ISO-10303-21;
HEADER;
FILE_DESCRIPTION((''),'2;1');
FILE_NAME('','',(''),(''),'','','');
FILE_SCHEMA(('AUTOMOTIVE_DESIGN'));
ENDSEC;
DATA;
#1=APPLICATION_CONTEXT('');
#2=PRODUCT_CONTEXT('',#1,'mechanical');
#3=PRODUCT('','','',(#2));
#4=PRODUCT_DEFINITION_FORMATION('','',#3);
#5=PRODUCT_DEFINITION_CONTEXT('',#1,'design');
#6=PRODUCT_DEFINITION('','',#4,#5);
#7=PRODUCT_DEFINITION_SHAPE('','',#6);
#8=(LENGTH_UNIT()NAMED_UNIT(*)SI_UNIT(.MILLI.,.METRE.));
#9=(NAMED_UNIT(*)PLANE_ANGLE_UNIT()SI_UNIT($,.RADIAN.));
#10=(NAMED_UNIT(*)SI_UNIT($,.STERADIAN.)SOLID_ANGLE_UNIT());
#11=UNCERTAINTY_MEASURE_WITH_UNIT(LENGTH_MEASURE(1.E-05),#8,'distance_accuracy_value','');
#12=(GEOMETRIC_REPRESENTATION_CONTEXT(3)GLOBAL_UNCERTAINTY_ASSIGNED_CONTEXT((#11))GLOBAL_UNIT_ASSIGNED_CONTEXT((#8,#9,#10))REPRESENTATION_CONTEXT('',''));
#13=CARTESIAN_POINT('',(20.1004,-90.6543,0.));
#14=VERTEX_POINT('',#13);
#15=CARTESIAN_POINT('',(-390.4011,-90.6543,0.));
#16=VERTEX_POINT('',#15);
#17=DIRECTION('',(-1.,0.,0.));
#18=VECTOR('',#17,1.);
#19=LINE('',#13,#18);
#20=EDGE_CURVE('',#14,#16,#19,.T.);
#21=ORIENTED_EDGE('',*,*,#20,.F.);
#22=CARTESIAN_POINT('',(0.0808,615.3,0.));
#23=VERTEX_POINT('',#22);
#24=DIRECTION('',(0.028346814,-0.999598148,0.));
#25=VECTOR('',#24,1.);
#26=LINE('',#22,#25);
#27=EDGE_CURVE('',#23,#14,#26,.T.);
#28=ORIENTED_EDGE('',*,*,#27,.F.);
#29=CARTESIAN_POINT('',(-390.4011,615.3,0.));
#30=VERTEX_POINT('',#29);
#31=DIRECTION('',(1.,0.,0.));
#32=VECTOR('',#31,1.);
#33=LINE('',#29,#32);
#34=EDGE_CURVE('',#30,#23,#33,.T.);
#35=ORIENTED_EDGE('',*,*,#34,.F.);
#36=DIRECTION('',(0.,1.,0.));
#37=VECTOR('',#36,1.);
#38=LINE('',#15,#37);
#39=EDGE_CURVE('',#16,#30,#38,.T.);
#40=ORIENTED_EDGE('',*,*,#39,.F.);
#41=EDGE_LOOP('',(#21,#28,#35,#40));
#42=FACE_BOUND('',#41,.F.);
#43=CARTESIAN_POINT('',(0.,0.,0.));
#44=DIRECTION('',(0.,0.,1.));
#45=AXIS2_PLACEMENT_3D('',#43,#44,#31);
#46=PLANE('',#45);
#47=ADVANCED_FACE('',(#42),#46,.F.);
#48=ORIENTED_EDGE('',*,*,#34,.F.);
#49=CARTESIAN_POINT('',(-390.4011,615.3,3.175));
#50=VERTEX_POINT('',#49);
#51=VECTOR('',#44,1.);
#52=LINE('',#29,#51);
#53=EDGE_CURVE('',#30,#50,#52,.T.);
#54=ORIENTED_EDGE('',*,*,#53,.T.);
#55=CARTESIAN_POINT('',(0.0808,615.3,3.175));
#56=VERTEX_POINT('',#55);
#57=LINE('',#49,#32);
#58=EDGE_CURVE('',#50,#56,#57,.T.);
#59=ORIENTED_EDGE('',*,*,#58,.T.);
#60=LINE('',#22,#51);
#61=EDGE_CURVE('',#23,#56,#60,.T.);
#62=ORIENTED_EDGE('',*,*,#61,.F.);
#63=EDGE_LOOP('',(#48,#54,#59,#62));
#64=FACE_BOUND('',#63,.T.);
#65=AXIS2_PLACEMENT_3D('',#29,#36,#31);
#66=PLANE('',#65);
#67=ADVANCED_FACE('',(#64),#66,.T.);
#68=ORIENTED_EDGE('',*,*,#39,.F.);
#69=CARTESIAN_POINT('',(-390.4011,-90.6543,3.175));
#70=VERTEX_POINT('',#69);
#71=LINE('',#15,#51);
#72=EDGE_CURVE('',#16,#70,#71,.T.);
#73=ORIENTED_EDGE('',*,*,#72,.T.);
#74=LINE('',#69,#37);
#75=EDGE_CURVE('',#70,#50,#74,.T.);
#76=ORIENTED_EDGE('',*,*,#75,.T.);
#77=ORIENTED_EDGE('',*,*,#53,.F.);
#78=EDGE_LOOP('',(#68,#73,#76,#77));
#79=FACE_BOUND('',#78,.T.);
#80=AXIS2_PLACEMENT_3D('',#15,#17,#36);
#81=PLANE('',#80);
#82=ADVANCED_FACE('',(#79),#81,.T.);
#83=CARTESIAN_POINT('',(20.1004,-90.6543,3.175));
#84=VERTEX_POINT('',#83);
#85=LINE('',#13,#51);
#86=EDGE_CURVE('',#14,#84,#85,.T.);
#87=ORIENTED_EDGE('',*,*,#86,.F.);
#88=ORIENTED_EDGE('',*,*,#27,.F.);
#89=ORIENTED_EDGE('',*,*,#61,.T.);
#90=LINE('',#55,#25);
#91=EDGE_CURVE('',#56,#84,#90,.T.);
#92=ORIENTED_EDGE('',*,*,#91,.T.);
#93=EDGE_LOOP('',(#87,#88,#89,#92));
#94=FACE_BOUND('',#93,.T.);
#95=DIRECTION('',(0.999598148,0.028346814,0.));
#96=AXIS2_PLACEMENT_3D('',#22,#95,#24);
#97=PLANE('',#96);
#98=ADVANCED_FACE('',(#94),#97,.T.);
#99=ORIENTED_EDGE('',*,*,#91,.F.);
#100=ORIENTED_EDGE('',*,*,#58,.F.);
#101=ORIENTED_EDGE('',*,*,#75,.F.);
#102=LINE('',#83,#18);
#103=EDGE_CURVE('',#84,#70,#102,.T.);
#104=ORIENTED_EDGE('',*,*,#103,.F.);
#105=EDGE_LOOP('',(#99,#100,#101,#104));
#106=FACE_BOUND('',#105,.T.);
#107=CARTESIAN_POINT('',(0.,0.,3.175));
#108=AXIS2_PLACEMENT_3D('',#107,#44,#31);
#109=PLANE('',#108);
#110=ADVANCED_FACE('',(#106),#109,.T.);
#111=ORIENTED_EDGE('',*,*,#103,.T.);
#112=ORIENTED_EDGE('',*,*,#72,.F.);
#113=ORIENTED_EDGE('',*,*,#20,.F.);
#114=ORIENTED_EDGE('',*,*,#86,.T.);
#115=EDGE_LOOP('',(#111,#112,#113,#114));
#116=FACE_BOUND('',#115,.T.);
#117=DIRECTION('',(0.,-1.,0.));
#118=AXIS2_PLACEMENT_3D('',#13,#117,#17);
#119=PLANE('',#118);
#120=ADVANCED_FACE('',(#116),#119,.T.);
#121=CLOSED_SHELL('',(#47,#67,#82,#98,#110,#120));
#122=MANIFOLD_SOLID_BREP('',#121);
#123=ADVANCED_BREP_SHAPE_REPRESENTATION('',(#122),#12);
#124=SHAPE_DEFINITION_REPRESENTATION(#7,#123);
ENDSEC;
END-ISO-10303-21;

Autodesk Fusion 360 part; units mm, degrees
sketch "stock" plane through (0, 0, 0) normal (0, 0, 1) x (1, 0, 0)
  line L0 (20.1004, -90.6543) -> (-390.4011, -90.6543)
  line L1 (-390.4011, -90.6543) -> (-390.4011, 615.3)
  line L2 (-390.4011, 615.3) -> (0.0808, 615.3)
  line L3 (0.0808, 615.3) -> (20.1004, -90.6543)
extrude "stock body extrude Feature" add sketch "stock" along normal blind 3.175
sketch "test for circle drill multiselect op" plane through (0, 0, 0) normal (0, 0, 1) x (1, 0, 0) in component "b top component"
  circle A0 centre (-79.3194, 2.4644) radius 1.005
  circle A1 centre (-70.6806, 2.4644) radius 1.005
  circle A2 centre (-59.3194, 2.4644) radius 1.005
  circle A3 centre (-50.6806, 2.4644) radius 1.005
  circle A4 centre (-39.3194, 2.4644) radius 1.005
  circle A5 centre (-30.6806, 2.4644) radius 1.005
  circle A6 centre (-19.3194, 2.4644) radius 1.005
  circle A7 centre (-10.6806, 2.4644) radius 1.005
  circle A8 centre (-2.4644, 15.6806) radius 1.005
  circle A9 centre (-2.4644, 24.3194) radius 1.005
  circle A10 centre (-2.4644, 35.6806) radius 1.005
  circle A11 centre (-2.4644, 44.3194) radius 1.005
  circle A12 centre (-79.3194, 57.5356) radius 1.005
  circle A13 centre (-70.6806, 57.5356) radius 1.005
  circle A14 centre (-59.3194, 57.5356) radius 1.005
  circle A15 centre (-50.6806, 57.5356) radius 1.005
  circle A16 centre (-39.3194, 57.5356) radius 1.005
  circle A17 centre (-30.6806, 57.5356) radius 1.005
  circle A18 centre (-19.3194, 57.5356) radius 1.005
  circle A19 centre (-10.6806, 57.5356) radius 1.005
  circle A20 centre (-87.5356, 15.6806) radius 1.005
  circle A21 centre (-87.5356, 24.3194) radius 1.005
  circle A22 centre (-87.5356, 35.6806) radius 1.005
  circle A23 centre (-87.5356, 44.3194) radius 1.005
sketch "test for rectangle contour multiselect op" plane through (0, 0, 0) normal (0, 0, 1) x (1, 0, 0)
  line L0 (-51, 32) -> (-17, 32)
  line L1 (-17, 32) -> (-17, -2)
  line L2 (-17, -2) -> (-51, -2)
  line L3 (-51, -2) -> (-51, 32)
  line L4 (-79, 22) -> (-72, 22)
  line L5 (-72, 22) -> (-72, 16)
  line L6 (-72, 16) -> (-79, 16)
  line L7 (-79, 16) -> (-79, 22)
  line L8 (-60, 46) -> (-53, 46)
  line L9 (-53, 46) -> (-53, 36)
  line L10 (-53, 36) -> (-60, 36)
  line L11 (-60, 36) -> (-60, 46)
  dimension "d138" = 7
  dimension "d139" = 7
component "b top component" placed x (1, 0, 0) y (0, 1, 0) z (0, 0, 1) at (0, 0, 0)
equation "b_ = 5 mm" comment "added by script"
